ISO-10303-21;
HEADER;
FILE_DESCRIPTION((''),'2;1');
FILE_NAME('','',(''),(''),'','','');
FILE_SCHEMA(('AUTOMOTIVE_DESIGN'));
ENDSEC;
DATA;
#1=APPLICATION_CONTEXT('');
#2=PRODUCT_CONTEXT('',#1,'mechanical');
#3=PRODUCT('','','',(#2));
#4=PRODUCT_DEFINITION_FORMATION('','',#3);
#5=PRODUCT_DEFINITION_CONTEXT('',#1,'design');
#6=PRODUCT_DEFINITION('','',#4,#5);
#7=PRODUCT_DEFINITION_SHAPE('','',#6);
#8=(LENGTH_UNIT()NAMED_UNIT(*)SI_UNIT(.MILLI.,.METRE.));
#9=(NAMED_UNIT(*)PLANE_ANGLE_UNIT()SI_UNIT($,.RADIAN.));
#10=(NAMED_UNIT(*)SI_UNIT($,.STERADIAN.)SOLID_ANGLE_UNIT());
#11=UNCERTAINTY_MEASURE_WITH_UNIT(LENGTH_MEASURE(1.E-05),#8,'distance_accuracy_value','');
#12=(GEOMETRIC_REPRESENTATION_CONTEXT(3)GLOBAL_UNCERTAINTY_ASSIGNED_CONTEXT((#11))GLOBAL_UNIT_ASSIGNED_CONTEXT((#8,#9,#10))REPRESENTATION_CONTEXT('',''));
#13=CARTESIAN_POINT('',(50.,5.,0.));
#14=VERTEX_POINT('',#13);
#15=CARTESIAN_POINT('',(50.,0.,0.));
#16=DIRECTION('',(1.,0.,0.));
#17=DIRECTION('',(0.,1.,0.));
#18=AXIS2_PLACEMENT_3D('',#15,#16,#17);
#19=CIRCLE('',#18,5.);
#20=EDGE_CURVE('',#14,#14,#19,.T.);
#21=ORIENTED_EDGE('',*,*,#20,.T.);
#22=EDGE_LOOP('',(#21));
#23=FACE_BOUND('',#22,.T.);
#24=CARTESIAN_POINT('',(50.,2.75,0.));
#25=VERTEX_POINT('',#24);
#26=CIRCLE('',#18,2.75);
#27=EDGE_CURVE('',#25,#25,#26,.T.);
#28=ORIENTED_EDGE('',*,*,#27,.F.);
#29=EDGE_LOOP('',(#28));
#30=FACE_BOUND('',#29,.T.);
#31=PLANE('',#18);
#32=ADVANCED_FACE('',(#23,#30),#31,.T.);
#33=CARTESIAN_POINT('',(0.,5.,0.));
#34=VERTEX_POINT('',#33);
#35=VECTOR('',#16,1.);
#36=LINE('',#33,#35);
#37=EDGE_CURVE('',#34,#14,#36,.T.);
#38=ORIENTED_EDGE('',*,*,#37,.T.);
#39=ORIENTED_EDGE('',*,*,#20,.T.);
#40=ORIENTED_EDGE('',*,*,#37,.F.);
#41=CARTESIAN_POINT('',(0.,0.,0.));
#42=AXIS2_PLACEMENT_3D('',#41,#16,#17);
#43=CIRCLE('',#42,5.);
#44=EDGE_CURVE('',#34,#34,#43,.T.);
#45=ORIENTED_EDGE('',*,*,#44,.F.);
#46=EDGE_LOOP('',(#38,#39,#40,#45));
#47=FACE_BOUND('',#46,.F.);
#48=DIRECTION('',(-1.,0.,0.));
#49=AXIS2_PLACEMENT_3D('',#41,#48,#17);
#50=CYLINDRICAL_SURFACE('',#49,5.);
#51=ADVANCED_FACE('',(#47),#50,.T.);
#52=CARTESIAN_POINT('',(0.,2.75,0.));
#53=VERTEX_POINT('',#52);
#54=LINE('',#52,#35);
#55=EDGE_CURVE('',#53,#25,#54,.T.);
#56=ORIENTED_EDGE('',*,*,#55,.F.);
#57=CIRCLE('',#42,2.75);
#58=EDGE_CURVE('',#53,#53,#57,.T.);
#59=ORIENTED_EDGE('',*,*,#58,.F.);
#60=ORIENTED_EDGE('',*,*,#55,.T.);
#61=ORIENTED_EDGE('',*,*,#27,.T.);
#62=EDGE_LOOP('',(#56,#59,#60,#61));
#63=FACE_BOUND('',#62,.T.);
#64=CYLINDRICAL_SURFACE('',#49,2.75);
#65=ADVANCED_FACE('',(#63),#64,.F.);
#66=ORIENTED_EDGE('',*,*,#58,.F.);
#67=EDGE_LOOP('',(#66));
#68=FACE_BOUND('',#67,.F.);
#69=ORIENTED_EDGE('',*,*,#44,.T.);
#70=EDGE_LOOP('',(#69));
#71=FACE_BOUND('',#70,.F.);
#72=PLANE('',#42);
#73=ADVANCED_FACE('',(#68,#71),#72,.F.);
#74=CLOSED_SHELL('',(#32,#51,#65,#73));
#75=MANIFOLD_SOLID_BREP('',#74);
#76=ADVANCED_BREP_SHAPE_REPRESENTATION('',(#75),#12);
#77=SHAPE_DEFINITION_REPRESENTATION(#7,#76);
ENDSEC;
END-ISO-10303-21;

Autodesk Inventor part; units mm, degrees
ref_plane "YZ Plane" through (0, 0, 0) normal (1, 0, 0) x (0, 1, 0)
ref_plane "XZ Plane" through (0, 0, 0) normal (0, 1, 0) x (-1, 0, 0)
ref_plane "XY Plane" through (0, 0, 0) normal (0, 0, 1) x (1, 0, 0)
sketch "Sketch1" plane through (0, 0, 0) normal (1, 0, 0) x (0, 1, 0)
  circle A0 centre (0, 0) radius 2.75
  circle A1 centre (0, 0) radius 5
  dimension "d0" = 5.5
  dimension "d1" = 10
extrude "Extrusion1" add sketch "Sketch1" along normal blind 50
properties part number "dystans_miedzy_plytami" material "Aluminum 6061"
